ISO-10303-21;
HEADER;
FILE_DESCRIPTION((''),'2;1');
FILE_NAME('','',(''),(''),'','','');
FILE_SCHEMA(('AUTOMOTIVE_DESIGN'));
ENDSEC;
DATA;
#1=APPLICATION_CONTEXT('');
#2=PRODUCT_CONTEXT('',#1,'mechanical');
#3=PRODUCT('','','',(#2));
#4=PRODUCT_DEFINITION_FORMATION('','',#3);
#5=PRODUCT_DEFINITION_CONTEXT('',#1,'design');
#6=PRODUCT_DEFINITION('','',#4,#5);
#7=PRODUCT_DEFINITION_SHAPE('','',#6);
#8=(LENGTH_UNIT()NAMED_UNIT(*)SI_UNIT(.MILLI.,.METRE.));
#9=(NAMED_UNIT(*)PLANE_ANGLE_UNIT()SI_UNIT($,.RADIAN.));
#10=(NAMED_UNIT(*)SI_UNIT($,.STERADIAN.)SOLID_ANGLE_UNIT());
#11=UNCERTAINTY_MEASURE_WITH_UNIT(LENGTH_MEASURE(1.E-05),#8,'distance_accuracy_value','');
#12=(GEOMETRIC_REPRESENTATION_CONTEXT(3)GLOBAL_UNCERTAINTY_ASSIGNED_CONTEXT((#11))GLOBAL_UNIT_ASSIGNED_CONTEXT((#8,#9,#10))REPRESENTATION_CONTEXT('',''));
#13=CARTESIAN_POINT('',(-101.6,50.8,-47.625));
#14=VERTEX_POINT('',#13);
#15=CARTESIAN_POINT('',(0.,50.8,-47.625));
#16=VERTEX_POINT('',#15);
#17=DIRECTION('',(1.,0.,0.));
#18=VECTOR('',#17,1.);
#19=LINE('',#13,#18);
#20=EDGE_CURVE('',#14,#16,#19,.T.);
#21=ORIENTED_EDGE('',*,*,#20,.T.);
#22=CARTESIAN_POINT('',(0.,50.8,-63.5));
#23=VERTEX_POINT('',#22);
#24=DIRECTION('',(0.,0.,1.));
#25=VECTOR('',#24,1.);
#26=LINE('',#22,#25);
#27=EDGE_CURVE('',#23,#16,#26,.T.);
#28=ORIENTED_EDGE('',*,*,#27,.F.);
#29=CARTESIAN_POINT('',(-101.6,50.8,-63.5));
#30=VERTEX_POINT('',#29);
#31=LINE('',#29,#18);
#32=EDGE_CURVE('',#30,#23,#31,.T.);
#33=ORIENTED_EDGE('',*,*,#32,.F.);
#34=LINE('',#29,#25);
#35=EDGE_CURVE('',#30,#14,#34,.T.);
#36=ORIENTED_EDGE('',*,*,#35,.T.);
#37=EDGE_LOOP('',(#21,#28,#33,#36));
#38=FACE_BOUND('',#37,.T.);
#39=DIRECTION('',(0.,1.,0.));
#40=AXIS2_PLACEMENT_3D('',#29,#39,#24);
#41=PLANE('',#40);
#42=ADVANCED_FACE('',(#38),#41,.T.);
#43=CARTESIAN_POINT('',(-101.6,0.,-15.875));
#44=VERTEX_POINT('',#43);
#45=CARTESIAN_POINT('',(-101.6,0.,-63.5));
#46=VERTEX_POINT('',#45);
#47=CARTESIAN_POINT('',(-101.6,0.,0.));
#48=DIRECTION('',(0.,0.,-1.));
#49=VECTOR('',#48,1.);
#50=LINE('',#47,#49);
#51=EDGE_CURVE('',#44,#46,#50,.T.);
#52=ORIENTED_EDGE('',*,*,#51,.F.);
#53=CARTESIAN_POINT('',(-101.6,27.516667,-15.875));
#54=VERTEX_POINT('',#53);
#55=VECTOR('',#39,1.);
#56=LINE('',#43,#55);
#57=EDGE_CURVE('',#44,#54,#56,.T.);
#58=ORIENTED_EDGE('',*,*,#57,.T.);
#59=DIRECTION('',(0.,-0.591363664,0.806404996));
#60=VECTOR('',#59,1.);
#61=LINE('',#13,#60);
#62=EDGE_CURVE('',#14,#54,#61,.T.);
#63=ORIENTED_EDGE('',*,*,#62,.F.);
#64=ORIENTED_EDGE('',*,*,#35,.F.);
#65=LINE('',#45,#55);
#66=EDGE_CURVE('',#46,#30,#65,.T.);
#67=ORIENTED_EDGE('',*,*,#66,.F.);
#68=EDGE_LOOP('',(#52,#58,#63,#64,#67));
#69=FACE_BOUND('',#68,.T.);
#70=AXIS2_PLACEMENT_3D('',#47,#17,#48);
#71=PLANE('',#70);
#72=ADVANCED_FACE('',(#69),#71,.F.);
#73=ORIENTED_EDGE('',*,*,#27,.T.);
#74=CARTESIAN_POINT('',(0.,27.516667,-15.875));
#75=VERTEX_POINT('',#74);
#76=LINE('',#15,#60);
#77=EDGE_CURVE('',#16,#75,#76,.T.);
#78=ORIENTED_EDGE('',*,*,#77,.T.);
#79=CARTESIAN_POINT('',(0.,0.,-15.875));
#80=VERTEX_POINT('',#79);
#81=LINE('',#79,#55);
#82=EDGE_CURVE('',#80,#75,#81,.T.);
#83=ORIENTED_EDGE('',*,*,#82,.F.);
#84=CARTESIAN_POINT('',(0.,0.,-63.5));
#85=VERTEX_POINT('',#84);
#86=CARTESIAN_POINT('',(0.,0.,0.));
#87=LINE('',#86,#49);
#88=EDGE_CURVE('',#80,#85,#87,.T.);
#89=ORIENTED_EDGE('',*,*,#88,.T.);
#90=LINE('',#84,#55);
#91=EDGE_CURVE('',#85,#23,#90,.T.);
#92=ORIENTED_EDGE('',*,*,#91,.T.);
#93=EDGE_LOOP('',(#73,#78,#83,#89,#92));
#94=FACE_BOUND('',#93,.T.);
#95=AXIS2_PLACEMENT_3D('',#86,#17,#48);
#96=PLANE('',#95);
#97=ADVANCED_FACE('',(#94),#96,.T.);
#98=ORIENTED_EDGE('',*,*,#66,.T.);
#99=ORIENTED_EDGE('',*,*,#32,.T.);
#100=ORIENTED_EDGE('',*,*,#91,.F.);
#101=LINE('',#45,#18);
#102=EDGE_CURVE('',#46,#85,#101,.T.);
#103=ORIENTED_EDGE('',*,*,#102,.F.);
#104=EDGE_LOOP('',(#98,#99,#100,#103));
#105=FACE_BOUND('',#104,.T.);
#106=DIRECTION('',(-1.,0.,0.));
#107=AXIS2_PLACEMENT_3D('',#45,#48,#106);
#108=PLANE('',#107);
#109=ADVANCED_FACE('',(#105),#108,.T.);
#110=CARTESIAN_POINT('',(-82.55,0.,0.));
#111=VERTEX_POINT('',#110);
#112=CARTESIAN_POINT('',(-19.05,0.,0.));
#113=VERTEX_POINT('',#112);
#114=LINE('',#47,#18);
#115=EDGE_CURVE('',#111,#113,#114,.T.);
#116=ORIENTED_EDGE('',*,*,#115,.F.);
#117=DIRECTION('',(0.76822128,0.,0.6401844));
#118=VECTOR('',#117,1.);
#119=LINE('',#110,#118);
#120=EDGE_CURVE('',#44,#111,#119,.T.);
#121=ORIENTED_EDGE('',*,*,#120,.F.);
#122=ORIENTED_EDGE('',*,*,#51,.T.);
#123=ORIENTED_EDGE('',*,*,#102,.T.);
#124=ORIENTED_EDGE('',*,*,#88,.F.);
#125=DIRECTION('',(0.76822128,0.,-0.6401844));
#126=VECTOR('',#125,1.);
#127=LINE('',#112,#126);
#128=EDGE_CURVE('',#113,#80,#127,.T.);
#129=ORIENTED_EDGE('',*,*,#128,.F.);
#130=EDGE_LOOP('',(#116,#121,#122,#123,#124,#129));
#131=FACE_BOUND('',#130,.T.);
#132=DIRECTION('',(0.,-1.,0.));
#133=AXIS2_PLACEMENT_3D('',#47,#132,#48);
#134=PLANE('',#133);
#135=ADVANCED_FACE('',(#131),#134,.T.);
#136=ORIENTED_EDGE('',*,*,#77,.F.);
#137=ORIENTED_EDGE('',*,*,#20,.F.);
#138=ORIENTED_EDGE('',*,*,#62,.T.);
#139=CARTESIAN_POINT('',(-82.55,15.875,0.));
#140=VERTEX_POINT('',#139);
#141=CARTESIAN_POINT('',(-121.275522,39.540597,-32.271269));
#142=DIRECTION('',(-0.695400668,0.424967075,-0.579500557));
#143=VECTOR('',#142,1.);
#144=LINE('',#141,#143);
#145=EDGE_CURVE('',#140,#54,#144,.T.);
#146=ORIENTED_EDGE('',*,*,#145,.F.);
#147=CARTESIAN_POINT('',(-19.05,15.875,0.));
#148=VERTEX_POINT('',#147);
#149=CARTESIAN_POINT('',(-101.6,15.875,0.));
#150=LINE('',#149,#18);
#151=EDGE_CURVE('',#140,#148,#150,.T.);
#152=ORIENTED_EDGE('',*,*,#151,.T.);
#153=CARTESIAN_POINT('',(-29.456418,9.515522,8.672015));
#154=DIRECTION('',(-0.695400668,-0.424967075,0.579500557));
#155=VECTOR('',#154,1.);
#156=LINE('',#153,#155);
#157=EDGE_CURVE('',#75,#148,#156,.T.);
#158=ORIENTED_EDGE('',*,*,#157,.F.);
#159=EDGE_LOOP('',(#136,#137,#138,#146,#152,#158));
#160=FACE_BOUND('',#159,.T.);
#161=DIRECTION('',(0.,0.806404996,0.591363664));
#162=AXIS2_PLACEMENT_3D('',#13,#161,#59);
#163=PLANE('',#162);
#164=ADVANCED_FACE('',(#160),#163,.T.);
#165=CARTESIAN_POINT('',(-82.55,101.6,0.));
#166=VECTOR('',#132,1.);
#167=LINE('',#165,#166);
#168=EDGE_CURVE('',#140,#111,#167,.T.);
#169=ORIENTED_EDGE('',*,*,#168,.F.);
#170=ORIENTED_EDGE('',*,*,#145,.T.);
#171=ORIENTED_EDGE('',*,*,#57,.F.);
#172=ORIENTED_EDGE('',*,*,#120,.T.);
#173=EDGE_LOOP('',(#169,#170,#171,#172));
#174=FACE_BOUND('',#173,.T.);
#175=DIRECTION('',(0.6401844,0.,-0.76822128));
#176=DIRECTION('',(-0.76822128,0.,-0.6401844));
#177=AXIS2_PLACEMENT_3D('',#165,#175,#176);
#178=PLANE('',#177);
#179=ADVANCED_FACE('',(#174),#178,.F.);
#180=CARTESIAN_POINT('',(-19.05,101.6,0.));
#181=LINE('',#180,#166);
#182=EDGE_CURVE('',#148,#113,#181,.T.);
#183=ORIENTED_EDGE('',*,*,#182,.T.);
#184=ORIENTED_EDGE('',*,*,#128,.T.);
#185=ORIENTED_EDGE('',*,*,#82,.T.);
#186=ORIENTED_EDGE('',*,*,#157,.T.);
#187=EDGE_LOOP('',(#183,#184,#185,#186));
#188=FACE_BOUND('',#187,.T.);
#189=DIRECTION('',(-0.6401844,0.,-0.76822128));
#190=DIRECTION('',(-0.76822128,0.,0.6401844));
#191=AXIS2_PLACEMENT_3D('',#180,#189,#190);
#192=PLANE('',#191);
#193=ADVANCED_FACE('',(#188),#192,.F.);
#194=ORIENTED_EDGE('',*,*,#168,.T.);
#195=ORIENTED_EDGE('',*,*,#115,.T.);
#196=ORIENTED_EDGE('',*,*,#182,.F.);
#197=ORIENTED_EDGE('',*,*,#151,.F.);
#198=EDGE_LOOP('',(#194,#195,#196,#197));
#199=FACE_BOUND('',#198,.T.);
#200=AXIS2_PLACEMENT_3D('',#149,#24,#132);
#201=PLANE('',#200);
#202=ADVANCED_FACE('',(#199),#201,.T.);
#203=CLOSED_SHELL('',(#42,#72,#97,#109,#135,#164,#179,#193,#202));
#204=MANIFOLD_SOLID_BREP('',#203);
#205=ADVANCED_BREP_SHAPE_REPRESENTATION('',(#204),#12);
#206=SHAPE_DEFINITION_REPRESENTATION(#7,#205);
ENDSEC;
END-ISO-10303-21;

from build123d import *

# Parameters (mm, degrees)
BOSS_EXTRUDE1_DEPTH = 101.6
CUT_EXTRUDE1_DEPTH  = 101.6
CUT_EXTRUDE2_DEPTH  = 101.6


with BuildPart() as part:
    # Sketch1 → Boss-Extrude1 (new body)
    with BuildSketch(Plane(origin=(0, 0, 0), x_dir=(0, 0, -1), z_dir=(1, 0, 0))):
        Polygon((0, 0), (63.5, 0), (63.5, 50.8), (47.625, 50.8), (0, 15.875), align=None)
    extrude(amount=-BOSS_EXTRUDE1_DEPTH)

    # Sketch3 → Cut-Extrude1 (cut)
    with BuildSketch(Plane.XZ):
        Polygon((0, 0), (-19.05, 0), (0, -15.875), align=None)
    extrude(amount=-CUT_EXTRUDE1_DEPTH, mode=Mode.SUBTRACT)

    # Sketch4 → Cut-Extrude2 (cut)
    with BuildSketch(Plane.XZ):
        Polygon((-101.6, 0), (-82.55, 0), (-101.6, -15.875), align=None)
    extrude(amount=-CUT_EXTRUDE2_DEPTH, mode=Mode.SUBTRACT)


solid = part.part
